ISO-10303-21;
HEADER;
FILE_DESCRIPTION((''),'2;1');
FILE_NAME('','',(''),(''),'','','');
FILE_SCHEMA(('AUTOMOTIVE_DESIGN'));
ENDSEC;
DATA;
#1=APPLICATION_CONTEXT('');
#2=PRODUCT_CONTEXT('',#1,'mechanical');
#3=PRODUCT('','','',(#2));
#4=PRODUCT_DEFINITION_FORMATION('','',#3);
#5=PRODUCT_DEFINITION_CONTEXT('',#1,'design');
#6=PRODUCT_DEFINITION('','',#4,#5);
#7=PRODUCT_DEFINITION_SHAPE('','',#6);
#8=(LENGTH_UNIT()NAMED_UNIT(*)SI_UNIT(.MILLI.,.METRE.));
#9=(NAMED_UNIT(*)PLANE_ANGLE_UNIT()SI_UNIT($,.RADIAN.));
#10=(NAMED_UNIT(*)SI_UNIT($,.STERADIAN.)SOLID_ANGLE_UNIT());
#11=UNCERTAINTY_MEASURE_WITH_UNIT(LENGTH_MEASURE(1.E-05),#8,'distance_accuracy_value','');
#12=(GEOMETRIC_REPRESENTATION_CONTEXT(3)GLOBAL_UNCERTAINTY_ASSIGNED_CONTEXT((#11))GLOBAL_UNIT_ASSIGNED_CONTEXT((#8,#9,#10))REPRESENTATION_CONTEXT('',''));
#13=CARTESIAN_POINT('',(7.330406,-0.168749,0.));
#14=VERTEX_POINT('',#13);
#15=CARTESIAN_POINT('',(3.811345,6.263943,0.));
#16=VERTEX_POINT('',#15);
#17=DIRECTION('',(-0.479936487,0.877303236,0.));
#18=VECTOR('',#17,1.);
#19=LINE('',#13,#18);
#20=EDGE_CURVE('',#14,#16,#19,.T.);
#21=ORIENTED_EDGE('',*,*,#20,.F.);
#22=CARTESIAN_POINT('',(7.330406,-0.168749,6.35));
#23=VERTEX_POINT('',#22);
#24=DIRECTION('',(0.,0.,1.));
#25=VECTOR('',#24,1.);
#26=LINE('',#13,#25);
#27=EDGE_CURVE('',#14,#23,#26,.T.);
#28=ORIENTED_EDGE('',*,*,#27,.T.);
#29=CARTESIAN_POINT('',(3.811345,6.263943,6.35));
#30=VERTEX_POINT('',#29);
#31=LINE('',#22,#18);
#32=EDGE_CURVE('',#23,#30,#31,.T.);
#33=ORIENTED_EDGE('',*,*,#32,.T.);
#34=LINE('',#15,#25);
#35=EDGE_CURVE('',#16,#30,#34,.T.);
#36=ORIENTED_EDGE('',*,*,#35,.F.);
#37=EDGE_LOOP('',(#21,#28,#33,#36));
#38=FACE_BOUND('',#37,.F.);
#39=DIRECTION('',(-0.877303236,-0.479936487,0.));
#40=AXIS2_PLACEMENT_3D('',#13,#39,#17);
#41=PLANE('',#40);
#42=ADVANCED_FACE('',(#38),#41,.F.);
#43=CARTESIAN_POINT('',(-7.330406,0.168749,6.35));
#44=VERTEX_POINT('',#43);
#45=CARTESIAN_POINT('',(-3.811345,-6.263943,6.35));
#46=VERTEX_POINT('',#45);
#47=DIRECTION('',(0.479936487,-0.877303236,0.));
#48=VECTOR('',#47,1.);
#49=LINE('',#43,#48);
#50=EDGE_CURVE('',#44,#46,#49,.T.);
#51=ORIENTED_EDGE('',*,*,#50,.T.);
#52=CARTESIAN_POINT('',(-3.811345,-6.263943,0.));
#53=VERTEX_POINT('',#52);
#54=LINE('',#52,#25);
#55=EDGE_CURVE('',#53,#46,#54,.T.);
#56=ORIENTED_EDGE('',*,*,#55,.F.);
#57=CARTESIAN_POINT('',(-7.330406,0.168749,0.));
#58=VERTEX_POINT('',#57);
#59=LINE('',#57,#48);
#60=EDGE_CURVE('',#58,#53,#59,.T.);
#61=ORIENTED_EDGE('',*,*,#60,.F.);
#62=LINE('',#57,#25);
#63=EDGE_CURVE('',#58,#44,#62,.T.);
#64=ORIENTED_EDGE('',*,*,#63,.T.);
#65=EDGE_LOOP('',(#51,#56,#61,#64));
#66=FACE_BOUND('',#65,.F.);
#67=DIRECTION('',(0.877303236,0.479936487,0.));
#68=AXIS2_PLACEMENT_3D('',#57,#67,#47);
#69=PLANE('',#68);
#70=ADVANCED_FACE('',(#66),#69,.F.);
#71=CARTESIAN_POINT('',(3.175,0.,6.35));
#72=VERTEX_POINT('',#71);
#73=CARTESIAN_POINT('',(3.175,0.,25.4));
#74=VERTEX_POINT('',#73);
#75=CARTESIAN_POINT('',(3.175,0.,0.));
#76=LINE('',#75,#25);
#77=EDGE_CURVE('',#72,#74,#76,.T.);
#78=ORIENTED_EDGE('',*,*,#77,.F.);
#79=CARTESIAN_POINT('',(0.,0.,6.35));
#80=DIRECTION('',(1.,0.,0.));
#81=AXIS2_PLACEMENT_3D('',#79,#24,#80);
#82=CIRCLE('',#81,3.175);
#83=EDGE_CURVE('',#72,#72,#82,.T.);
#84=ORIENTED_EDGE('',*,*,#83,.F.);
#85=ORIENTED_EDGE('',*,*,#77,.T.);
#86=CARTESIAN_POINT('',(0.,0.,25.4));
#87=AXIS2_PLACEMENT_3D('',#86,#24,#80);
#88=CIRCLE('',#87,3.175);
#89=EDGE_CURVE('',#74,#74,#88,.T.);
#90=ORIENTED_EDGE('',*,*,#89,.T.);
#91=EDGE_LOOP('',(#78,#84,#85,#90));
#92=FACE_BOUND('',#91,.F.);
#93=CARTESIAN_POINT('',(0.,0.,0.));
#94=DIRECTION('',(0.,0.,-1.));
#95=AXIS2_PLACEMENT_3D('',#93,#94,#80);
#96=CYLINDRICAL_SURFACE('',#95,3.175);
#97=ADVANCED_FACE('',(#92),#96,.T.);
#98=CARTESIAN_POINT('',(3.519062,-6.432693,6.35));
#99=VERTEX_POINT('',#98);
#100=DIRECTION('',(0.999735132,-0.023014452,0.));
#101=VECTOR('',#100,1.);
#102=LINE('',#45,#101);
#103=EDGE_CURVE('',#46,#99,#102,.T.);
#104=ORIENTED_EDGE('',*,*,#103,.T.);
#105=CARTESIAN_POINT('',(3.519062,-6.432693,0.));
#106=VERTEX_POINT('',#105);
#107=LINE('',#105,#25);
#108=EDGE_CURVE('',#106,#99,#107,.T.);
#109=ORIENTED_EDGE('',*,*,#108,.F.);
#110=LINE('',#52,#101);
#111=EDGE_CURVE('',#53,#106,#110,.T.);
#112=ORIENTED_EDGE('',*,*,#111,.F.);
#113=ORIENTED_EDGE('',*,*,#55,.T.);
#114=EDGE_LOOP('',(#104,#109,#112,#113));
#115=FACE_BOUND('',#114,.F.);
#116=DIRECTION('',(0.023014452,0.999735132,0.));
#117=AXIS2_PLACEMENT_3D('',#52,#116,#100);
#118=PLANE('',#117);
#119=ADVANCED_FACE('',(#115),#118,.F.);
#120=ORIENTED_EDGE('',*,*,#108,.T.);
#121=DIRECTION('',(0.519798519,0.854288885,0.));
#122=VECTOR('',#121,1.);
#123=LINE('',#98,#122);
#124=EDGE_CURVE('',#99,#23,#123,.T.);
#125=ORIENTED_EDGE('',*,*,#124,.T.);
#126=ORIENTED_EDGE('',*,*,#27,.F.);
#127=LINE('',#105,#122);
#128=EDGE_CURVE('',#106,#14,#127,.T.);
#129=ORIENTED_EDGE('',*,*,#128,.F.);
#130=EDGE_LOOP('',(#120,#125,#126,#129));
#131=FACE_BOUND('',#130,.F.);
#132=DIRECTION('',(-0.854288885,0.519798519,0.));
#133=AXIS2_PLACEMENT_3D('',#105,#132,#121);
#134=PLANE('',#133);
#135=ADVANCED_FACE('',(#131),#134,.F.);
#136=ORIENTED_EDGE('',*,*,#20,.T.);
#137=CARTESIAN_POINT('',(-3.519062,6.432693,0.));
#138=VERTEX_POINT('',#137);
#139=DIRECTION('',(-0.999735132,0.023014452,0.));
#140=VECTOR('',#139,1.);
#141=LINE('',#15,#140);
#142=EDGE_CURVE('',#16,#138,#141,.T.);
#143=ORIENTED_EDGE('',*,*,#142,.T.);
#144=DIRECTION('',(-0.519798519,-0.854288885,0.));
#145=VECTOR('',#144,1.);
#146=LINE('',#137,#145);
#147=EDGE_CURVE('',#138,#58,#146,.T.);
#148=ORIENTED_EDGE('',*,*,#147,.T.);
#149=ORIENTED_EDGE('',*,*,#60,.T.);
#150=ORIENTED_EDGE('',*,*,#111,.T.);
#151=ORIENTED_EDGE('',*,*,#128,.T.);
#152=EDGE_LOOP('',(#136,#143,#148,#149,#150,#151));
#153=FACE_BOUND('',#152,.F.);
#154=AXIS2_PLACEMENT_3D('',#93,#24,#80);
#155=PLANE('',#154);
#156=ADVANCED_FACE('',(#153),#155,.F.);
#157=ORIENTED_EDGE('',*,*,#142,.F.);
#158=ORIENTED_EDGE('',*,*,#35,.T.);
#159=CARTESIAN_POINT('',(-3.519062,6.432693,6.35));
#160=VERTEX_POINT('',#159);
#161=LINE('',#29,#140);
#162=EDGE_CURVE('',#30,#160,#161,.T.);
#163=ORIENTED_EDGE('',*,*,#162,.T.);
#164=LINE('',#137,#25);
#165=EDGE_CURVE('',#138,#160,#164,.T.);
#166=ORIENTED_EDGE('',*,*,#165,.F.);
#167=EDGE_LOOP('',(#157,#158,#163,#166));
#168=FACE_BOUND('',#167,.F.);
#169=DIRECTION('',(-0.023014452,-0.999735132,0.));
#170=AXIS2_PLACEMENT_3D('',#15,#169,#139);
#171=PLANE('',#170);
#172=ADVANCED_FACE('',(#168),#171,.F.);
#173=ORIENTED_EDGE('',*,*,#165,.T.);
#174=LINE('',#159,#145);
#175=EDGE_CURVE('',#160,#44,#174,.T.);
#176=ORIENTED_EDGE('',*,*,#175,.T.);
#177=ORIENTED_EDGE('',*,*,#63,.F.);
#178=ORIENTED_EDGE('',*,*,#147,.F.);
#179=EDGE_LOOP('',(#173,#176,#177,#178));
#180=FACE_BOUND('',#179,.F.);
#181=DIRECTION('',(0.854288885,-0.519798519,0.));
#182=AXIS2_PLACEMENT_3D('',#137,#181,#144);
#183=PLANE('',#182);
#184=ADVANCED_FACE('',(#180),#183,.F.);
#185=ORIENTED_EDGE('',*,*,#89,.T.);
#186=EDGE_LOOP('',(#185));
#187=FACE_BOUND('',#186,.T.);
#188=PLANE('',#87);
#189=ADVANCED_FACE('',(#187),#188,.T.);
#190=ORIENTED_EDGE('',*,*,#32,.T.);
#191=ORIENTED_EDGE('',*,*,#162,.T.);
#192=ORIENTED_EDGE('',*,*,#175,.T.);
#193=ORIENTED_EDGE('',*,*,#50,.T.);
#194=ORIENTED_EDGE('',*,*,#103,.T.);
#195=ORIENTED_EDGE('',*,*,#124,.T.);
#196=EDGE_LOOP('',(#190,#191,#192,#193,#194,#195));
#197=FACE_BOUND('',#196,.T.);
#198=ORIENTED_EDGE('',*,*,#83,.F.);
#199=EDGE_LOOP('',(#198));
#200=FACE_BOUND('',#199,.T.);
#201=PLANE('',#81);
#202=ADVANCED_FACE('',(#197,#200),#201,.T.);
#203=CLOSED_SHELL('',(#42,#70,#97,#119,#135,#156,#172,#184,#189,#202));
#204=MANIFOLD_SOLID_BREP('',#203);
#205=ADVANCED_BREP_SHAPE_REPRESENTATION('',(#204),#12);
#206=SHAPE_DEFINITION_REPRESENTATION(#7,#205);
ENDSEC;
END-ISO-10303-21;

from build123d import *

# Parameters (mm, degrees)
F0_R     = 3.175
F1_DEPTH = 25.4
F2_DEPTH = 6.35


with BuildPart() as f1:
    # F0 (on Top) → F1 (new body)
    with BuildSketch(Plane.XY):
        Circle(F0_R)
    extrude(amount=F1_DEPTH)

    # F0 (on Top) → F2 (join)
    with BuildSketch(Plane.XY):
        Polygon((3.519062, -6.432693), (7.330406, -0.168749), (3.811345, 6.263943), (-3.519062, 6.432693), (-7.330406, 0.168749), (-3.811345, -6.263943), align=None)
        Circle(F0_R, mode=Mode.SUBTRACT)
    extrude(amount=F2_DEPTH)


solid = f1.part
